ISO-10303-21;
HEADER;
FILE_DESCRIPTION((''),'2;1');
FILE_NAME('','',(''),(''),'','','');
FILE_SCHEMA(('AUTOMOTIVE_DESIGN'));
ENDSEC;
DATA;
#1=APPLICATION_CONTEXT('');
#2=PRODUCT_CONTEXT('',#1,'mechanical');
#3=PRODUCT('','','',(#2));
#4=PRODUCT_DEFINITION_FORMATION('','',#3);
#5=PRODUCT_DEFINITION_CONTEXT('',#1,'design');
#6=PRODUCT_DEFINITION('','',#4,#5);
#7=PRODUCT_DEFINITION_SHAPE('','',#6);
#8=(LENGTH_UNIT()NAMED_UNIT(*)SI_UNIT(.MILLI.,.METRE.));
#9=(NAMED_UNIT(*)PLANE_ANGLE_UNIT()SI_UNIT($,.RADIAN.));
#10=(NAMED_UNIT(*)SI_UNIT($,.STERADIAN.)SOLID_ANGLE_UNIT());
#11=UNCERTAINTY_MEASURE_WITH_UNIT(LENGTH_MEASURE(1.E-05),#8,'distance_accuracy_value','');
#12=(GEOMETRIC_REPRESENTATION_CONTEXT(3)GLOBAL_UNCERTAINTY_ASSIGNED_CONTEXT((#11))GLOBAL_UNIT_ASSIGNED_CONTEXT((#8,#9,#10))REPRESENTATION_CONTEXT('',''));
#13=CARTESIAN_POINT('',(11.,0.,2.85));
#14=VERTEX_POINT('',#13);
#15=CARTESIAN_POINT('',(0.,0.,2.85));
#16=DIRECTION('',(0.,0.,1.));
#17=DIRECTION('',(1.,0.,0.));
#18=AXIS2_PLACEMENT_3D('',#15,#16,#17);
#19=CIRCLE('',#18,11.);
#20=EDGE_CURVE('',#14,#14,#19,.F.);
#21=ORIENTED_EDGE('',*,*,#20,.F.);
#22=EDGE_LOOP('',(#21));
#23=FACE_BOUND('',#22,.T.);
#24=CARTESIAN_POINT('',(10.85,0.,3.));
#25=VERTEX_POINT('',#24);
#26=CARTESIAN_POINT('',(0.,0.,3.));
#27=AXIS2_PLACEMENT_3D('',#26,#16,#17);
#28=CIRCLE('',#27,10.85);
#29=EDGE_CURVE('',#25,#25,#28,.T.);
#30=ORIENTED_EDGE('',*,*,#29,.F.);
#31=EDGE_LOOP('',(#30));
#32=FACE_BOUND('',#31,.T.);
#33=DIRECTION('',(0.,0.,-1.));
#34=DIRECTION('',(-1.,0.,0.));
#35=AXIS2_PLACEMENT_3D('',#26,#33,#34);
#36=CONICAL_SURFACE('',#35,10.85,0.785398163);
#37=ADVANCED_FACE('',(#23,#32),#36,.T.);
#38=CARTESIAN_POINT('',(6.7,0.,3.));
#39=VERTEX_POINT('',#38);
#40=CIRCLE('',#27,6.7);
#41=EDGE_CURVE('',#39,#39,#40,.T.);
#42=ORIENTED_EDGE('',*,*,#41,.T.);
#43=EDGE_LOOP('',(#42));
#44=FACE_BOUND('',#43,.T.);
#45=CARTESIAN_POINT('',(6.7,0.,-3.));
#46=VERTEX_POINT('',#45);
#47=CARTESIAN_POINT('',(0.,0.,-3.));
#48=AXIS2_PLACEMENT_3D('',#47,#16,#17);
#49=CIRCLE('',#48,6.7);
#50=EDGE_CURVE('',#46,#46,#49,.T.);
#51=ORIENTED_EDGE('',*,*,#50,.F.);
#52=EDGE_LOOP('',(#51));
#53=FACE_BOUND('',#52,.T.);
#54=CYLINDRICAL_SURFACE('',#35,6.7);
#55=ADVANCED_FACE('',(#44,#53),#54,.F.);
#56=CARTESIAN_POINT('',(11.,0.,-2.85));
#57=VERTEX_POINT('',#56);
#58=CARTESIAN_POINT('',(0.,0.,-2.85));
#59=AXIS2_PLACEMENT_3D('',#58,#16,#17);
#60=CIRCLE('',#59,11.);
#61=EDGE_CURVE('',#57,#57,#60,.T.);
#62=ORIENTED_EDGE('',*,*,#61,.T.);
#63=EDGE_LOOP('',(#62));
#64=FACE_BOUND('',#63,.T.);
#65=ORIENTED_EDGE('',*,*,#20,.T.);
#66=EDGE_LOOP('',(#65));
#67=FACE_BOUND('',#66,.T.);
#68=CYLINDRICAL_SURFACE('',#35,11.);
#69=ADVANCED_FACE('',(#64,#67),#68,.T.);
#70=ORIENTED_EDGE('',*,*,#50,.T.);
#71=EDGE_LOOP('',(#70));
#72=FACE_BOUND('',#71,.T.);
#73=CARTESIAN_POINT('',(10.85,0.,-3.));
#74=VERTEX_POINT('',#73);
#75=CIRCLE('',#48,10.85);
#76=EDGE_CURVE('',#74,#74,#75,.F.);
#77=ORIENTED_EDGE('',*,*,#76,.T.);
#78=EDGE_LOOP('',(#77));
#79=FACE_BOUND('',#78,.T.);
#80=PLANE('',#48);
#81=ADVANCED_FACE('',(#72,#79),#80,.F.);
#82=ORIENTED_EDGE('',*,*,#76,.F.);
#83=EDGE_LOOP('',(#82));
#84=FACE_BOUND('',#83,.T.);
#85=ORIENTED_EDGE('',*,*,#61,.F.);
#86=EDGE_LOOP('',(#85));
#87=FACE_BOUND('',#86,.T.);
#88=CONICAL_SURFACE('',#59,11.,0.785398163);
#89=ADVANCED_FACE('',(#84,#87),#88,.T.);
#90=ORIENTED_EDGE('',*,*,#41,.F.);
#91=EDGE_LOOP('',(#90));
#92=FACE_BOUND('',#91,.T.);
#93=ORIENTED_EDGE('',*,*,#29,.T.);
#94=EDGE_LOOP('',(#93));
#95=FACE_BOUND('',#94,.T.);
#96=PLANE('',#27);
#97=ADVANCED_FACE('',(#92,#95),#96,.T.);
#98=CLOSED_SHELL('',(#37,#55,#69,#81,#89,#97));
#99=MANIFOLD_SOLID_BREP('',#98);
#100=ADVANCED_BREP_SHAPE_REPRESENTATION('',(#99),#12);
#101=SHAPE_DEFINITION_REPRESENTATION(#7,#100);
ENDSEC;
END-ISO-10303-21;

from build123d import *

# Parameters (mm, degrees)
SKETCH1_R           = 11
SKETCH1_R_2         = 6.7
BOSS_EXTRUDE1_DEPTH = 3
CHAMFER1_SIZE       = 0.15


with BuildPart() as part:
    # Sketch1 → Boss-Extrude1 (new body, symmetric)
    with BuildSketch(Plane.XY):
        Circle(SKETCH1_R)
        Circle(SKETCH1_R_2, mode=Mode.SUBTRACT)
    extrude(amount=BOSS_EXTRUDE1_DEPTH, both=True)

    # Chamfer1
    chamfer1_edges = [part.edges().sort_by_distance(p)[0] for p in [
        (-11, 0, -3),
        (-11, 0, 3),
    ]]
    chamfer(chamfer1_edges, length=CHAMFER1_SIZE)


solid = part.part
